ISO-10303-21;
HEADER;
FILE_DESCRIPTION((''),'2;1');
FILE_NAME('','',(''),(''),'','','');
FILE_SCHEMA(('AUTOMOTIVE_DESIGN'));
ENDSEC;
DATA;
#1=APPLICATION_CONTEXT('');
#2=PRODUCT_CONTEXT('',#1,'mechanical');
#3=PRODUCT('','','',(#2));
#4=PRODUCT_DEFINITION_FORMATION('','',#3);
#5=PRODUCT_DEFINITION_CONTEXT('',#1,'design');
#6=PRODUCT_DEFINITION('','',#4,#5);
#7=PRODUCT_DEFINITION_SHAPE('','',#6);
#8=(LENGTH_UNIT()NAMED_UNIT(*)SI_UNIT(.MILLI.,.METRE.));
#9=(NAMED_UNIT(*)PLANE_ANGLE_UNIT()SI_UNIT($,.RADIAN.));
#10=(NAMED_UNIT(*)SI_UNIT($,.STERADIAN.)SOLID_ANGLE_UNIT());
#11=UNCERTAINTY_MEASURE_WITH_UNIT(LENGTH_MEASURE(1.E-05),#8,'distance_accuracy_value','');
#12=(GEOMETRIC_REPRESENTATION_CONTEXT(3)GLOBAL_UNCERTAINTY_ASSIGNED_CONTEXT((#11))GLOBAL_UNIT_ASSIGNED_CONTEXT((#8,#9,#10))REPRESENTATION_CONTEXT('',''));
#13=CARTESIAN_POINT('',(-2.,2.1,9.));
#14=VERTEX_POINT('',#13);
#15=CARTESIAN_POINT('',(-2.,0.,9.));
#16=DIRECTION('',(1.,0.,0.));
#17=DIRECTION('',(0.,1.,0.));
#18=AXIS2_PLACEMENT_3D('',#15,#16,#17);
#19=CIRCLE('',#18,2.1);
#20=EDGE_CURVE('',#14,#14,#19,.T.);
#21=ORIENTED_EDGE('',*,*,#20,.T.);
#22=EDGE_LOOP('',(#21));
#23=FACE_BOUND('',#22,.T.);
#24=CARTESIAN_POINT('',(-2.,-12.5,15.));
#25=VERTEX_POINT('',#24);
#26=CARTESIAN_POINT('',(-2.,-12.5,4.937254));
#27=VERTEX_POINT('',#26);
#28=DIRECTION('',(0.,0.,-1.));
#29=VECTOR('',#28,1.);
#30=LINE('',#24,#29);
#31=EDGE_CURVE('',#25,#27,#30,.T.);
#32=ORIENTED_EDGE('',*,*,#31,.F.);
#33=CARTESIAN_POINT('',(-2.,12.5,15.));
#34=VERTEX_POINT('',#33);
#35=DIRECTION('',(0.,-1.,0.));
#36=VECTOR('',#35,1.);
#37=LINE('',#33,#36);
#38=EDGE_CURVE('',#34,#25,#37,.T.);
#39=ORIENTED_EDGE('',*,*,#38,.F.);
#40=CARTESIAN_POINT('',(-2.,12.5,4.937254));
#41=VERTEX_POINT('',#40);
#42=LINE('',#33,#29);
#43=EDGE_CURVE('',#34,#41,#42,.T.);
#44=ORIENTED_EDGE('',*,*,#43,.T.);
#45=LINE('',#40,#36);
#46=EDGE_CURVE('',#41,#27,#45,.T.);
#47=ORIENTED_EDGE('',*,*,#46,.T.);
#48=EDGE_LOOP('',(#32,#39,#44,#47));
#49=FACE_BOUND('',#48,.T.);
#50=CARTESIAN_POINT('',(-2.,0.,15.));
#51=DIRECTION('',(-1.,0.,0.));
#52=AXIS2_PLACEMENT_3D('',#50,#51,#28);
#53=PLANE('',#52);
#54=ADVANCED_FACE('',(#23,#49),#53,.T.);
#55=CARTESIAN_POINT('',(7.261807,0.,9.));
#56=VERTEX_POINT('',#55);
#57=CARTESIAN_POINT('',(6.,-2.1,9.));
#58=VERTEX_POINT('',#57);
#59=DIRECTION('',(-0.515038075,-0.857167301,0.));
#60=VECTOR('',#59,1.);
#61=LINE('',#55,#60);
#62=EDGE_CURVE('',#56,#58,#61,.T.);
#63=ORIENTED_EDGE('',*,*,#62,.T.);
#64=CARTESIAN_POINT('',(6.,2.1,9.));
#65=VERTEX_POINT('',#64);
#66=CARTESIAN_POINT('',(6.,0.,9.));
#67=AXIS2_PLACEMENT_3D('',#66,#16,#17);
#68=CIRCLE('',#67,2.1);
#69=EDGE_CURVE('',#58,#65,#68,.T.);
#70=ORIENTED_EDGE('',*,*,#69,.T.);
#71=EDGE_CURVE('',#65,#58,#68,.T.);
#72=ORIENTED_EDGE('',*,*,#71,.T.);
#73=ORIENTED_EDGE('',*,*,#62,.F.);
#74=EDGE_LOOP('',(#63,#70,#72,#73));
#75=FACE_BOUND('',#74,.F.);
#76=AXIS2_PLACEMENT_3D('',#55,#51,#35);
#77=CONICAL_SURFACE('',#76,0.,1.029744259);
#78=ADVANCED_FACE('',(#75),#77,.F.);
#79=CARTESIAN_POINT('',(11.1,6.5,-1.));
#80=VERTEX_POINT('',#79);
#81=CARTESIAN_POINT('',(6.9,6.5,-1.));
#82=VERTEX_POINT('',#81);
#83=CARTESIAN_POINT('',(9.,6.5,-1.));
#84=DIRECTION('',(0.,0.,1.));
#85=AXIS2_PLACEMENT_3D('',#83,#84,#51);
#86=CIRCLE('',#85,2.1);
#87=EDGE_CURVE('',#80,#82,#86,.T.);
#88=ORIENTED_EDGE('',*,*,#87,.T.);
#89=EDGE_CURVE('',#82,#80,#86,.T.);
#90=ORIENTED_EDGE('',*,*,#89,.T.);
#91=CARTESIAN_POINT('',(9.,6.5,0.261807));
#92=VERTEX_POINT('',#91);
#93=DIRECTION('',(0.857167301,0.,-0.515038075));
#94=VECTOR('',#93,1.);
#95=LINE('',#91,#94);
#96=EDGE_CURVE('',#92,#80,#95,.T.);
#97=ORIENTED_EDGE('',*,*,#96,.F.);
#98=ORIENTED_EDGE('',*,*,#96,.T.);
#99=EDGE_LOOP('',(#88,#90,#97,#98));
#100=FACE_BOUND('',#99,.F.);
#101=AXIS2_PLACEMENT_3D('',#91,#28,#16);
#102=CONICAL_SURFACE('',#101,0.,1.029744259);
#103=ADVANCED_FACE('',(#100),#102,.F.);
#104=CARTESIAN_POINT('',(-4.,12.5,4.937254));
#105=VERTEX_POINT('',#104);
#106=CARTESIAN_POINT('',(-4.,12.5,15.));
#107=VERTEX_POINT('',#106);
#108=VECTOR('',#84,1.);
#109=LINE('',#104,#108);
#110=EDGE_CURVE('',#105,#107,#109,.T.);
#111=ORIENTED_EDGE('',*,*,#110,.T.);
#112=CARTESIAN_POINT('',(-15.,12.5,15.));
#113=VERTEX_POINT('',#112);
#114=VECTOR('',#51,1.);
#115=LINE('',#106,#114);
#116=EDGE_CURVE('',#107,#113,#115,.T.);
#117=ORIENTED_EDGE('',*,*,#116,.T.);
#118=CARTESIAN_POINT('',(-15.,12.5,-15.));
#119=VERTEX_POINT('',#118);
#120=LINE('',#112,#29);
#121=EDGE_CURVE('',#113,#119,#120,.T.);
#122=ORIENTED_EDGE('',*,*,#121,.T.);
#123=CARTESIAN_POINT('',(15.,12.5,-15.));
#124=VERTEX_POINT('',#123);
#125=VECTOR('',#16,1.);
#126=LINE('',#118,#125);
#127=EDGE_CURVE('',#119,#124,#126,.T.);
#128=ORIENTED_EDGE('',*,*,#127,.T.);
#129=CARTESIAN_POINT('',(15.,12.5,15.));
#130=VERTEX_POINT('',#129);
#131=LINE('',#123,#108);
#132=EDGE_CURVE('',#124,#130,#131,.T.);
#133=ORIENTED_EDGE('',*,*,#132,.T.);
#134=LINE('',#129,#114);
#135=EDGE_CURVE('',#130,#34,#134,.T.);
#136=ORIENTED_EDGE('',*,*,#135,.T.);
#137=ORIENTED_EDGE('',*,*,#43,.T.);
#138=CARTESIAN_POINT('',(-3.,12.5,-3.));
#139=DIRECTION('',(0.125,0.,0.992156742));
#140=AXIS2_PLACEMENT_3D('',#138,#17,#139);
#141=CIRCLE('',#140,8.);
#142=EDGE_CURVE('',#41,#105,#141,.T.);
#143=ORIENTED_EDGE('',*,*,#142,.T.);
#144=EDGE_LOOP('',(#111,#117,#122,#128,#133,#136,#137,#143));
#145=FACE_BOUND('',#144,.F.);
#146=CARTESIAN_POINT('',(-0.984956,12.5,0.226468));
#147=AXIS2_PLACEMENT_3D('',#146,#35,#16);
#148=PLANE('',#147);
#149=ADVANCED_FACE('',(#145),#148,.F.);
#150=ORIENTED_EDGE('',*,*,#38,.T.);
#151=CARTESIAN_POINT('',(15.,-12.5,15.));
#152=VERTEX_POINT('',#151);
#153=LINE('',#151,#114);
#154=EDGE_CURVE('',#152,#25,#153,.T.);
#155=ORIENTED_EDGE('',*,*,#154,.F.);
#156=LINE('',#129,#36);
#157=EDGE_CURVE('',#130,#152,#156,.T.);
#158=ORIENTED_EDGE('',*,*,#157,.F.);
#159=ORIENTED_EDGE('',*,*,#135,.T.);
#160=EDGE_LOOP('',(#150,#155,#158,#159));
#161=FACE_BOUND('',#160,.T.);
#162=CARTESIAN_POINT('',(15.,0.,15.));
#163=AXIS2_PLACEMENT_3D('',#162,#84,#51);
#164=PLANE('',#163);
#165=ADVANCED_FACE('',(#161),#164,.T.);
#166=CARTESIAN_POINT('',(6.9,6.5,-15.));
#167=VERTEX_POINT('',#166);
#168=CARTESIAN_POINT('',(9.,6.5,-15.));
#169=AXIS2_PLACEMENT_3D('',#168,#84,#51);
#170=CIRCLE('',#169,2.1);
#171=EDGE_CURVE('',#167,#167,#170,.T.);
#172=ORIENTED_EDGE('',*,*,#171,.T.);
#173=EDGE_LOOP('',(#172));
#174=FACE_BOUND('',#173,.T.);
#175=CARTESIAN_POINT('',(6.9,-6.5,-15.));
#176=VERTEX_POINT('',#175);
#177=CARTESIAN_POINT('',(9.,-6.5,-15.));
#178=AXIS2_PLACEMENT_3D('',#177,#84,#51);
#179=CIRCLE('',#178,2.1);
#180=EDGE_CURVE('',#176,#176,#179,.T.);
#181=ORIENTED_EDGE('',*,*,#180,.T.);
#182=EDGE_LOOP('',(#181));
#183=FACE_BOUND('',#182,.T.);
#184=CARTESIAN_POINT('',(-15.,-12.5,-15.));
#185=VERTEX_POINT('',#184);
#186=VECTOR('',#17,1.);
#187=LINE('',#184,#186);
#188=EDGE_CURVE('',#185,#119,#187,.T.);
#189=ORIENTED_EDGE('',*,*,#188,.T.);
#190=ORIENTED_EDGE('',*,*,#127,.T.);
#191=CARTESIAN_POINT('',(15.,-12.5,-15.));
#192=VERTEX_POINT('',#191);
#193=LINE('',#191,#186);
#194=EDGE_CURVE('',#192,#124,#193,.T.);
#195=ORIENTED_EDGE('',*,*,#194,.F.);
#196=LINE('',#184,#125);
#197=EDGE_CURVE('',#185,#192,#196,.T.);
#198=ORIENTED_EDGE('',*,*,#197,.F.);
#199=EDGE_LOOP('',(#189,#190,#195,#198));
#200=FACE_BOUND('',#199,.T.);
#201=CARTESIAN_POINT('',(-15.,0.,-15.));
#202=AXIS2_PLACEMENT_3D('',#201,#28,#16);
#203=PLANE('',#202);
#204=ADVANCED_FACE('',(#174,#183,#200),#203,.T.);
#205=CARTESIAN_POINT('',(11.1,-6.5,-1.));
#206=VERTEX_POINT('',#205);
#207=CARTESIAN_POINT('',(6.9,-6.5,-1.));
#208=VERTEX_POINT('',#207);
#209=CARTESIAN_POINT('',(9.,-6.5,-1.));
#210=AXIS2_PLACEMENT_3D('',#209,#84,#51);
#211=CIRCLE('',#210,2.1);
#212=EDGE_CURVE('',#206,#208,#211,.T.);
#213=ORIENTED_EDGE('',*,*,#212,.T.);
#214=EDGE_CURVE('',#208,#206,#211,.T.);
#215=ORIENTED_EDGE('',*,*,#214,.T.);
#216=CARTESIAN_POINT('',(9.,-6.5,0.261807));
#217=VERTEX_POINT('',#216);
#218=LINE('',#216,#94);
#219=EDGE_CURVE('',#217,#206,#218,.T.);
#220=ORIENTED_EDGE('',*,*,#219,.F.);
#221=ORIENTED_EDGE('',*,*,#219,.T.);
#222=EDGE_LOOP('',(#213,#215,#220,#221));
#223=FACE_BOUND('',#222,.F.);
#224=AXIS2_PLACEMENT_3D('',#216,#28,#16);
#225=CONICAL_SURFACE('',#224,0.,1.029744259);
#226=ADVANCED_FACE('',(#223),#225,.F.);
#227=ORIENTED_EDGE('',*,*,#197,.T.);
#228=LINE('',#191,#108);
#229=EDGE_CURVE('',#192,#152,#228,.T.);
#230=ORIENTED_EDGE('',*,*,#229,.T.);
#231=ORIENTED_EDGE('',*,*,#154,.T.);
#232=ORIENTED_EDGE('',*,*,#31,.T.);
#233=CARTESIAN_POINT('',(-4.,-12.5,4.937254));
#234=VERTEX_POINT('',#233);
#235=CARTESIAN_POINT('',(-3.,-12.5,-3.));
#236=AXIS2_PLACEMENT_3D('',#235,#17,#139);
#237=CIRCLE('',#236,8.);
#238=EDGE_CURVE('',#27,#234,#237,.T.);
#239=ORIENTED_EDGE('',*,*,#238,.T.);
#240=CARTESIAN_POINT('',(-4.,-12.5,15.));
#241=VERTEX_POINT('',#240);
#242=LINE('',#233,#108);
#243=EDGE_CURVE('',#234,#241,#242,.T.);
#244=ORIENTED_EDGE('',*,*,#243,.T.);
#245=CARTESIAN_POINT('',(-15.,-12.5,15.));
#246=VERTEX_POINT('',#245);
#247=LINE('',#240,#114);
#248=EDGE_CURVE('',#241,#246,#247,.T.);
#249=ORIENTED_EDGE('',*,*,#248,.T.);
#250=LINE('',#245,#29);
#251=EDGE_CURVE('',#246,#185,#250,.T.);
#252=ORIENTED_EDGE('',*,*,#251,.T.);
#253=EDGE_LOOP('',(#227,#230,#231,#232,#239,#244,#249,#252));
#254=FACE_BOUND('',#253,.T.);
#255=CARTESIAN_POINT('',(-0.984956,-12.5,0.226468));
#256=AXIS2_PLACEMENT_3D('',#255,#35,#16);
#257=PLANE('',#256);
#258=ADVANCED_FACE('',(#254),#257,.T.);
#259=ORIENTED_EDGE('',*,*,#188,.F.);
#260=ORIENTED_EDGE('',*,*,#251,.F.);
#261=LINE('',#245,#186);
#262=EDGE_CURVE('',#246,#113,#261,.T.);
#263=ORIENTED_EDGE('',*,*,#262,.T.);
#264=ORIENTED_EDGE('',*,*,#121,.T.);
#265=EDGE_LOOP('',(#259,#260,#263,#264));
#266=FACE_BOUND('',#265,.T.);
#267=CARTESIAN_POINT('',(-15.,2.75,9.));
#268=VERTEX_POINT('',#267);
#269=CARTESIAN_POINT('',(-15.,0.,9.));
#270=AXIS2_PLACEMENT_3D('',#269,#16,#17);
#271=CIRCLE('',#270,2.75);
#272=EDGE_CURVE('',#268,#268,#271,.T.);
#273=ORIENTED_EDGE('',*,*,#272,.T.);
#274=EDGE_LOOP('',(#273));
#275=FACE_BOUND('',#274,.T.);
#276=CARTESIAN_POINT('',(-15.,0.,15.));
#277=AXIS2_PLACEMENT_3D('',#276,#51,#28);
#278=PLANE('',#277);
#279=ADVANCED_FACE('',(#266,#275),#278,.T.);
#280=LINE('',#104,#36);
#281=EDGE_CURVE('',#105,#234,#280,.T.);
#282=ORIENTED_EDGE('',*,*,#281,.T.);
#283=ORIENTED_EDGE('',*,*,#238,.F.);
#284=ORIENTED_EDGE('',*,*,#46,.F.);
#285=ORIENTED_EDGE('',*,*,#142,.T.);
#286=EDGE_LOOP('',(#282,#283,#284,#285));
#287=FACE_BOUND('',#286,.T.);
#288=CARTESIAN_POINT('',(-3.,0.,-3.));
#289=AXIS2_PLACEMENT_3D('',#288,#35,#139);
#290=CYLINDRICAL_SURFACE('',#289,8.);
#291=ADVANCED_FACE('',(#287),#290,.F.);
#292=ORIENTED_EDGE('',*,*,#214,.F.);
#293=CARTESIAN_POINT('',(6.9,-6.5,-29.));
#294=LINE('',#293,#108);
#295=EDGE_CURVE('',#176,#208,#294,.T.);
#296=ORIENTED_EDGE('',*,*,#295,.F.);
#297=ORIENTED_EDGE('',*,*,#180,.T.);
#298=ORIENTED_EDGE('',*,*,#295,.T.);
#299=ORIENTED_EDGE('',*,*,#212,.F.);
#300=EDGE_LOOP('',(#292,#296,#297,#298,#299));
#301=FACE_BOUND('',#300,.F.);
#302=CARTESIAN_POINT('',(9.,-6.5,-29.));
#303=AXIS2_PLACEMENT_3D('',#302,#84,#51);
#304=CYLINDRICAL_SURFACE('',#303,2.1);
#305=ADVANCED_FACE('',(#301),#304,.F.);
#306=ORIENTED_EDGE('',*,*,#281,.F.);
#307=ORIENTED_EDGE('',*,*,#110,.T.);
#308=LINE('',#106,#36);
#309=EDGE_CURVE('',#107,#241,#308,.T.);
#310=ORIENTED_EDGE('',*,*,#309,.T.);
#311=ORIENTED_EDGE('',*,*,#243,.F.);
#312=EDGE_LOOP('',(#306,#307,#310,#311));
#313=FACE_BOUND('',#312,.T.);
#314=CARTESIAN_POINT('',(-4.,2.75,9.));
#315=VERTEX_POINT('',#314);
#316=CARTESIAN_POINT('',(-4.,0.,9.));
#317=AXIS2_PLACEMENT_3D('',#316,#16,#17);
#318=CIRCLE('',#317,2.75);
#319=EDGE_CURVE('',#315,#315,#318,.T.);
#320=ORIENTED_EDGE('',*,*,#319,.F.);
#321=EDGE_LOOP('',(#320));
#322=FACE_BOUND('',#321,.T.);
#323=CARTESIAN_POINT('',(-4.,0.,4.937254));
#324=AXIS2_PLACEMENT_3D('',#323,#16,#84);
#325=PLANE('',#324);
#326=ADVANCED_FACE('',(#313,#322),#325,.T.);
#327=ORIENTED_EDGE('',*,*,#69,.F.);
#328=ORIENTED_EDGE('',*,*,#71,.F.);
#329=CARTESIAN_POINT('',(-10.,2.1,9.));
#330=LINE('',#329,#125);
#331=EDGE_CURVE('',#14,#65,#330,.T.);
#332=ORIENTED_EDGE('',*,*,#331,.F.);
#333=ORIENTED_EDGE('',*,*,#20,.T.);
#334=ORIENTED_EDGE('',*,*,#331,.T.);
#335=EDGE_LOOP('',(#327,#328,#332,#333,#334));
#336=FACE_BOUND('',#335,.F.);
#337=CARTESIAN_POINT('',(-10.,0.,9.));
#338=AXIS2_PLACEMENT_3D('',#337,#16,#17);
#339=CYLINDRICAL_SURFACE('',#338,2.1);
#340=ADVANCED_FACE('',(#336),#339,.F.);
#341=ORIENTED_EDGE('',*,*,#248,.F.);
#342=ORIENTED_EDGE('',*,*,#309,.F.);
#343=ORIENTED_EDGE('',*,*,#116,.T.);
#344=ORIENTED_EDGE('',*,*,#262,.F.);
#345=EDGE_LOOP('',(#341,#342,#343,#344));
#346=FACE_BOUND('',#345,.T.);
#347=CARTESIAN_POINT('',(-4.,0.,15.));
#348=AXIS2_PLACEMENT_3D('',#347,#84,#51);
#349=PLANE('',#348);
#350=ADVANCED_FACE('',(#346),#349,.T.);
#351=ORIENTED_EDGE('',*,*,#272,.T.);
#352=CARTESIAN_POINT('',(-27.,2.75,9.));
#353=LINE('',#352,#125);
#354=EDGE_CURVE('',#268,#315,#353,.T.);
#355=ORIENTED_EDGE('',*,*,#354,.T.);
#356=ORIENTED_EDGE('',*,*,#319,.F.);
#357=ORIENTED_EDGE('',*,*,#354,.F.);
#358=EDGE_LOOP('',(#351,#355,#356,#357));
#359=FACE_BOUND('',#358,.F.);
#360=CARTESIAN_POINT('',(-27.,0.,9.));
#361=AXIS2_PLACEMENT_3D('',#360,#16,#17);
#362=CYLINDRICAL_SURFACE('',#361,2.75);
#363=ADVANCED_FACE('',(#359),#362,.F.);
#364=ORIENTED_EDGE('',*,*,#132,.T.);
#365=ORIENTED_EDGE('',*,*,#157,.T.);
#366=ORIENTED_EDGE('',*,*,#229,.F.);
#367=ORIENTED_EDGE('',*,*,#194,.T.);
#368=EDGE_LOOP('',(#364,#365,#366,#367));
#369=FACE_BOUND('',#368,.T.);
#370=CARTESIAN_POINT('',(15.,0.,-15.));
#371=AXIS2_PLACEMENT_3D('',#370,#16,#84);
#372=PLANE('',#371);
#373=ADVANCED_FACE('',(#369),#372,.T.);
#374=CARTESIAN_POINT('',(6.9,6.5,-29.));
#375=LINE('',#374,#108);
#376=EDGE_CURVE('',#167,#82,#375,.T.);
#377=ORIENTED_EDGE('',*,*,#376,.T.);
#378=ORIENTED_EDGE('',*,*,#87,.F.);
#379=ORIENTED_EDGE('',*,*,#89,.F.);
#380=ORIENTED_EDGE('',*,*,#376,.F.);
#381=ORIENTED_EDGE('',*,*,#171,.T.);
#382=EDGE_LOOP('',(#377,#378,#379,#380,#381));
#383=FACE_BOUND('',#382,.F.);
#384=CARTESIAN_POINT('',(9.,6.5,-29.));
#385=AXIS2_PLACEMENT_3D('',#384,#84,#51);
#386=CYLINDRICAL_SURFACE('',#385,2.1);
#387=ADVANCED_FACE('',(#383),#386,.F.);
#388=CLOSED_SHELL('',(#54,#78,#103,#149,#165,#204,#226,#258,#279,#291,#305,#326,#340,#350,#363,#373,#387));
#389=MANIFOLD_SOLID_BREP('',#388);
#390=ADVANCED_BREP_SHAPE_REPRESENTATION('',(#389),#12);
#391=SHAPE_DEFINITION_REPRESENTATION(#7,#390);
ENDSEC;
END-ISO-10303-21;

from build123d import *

# Parameters (mm, degrees)
F1_DEPTH = 12.5
F3_D     = 5.5
F3_DEPTH = 12
F3_TIP   = 1.6523667023
F5_D     = 4.2
F5_DEPTH = 8
F5_TIP   = 1.2618073
F7_D     = 4.2
F7_DEPTH = 14
F7_TIP   = 1.2618073


with BuildPart() as f1:
    # F0 (on Front) → F1 (new body, symmetric)
    with BuildSketch(Plane.XZ):
        with BuildLine():
            Line((15, -15), (15, 15))
            Line((15, 15), (-2, 15))
            Line((-2, 15), (-2, 4.9372539332))
            ThreePointArc((-2, 4.9372539332), (-3, -11), (-4, 4.9372539332))
            Line((-4, 4.9372539332), (-4, 15))
            Line((-4, 15), (-15, 15))
            Line((-15, 15), (-15, -15))
            Line((-15, -15), (15, -15))
        make_face()
    extrude(amount=F1_DEPTH, both=True)

    # F3
    with Locations(Plane(origin=(-15, 0, 0), x_dir=(0, -1, 0), z_dir=(-1, 0, 0))):
        with Locations((0, 9)):
            Hole(F3_D / 2, depth=F3_DEPTH)
            with Locations((0, 0, -(F3_DEPTH + F3_TIP / 2))):  # 118° drill point
                Cone(0, F3_D / 2, F3_TIP, mode=Mode.SUBTRACT)

    # F5
    with Locations(Plane(origin=(-2, 0, 0), x_dir=(0, -1, 0), z_dir=(-1, 0, 0))):
        with Locations((0, 9)):
            Hole(F5_D / 2, depth=F5_DEPTH)
            with Locations((0, 0, -(F5_DEPTH + F5_TIP / 2))):  # 118° drill point
                Cone(0, F5_D / 2, F5_TIP, mode=Mode.SUBTRACT)

    # F7
    with Locations(Plane(origin=(0, 0, -15), x_dir=(1, 0, 0), z_dir=(0, 0, -1))):
        with Locations((9, 6.5), (9, -6.5)):
            Hole(F7_D / 2, depth=F7_DEPTH)
            with Locations((0, 0, -(F7_DEPTH + F7_TIP / 2))):  # 118° drill point
                Cone(0, F7_D / 2, F7_TIP, mode=Mode.SUBTRACT)


solid = f1.part
